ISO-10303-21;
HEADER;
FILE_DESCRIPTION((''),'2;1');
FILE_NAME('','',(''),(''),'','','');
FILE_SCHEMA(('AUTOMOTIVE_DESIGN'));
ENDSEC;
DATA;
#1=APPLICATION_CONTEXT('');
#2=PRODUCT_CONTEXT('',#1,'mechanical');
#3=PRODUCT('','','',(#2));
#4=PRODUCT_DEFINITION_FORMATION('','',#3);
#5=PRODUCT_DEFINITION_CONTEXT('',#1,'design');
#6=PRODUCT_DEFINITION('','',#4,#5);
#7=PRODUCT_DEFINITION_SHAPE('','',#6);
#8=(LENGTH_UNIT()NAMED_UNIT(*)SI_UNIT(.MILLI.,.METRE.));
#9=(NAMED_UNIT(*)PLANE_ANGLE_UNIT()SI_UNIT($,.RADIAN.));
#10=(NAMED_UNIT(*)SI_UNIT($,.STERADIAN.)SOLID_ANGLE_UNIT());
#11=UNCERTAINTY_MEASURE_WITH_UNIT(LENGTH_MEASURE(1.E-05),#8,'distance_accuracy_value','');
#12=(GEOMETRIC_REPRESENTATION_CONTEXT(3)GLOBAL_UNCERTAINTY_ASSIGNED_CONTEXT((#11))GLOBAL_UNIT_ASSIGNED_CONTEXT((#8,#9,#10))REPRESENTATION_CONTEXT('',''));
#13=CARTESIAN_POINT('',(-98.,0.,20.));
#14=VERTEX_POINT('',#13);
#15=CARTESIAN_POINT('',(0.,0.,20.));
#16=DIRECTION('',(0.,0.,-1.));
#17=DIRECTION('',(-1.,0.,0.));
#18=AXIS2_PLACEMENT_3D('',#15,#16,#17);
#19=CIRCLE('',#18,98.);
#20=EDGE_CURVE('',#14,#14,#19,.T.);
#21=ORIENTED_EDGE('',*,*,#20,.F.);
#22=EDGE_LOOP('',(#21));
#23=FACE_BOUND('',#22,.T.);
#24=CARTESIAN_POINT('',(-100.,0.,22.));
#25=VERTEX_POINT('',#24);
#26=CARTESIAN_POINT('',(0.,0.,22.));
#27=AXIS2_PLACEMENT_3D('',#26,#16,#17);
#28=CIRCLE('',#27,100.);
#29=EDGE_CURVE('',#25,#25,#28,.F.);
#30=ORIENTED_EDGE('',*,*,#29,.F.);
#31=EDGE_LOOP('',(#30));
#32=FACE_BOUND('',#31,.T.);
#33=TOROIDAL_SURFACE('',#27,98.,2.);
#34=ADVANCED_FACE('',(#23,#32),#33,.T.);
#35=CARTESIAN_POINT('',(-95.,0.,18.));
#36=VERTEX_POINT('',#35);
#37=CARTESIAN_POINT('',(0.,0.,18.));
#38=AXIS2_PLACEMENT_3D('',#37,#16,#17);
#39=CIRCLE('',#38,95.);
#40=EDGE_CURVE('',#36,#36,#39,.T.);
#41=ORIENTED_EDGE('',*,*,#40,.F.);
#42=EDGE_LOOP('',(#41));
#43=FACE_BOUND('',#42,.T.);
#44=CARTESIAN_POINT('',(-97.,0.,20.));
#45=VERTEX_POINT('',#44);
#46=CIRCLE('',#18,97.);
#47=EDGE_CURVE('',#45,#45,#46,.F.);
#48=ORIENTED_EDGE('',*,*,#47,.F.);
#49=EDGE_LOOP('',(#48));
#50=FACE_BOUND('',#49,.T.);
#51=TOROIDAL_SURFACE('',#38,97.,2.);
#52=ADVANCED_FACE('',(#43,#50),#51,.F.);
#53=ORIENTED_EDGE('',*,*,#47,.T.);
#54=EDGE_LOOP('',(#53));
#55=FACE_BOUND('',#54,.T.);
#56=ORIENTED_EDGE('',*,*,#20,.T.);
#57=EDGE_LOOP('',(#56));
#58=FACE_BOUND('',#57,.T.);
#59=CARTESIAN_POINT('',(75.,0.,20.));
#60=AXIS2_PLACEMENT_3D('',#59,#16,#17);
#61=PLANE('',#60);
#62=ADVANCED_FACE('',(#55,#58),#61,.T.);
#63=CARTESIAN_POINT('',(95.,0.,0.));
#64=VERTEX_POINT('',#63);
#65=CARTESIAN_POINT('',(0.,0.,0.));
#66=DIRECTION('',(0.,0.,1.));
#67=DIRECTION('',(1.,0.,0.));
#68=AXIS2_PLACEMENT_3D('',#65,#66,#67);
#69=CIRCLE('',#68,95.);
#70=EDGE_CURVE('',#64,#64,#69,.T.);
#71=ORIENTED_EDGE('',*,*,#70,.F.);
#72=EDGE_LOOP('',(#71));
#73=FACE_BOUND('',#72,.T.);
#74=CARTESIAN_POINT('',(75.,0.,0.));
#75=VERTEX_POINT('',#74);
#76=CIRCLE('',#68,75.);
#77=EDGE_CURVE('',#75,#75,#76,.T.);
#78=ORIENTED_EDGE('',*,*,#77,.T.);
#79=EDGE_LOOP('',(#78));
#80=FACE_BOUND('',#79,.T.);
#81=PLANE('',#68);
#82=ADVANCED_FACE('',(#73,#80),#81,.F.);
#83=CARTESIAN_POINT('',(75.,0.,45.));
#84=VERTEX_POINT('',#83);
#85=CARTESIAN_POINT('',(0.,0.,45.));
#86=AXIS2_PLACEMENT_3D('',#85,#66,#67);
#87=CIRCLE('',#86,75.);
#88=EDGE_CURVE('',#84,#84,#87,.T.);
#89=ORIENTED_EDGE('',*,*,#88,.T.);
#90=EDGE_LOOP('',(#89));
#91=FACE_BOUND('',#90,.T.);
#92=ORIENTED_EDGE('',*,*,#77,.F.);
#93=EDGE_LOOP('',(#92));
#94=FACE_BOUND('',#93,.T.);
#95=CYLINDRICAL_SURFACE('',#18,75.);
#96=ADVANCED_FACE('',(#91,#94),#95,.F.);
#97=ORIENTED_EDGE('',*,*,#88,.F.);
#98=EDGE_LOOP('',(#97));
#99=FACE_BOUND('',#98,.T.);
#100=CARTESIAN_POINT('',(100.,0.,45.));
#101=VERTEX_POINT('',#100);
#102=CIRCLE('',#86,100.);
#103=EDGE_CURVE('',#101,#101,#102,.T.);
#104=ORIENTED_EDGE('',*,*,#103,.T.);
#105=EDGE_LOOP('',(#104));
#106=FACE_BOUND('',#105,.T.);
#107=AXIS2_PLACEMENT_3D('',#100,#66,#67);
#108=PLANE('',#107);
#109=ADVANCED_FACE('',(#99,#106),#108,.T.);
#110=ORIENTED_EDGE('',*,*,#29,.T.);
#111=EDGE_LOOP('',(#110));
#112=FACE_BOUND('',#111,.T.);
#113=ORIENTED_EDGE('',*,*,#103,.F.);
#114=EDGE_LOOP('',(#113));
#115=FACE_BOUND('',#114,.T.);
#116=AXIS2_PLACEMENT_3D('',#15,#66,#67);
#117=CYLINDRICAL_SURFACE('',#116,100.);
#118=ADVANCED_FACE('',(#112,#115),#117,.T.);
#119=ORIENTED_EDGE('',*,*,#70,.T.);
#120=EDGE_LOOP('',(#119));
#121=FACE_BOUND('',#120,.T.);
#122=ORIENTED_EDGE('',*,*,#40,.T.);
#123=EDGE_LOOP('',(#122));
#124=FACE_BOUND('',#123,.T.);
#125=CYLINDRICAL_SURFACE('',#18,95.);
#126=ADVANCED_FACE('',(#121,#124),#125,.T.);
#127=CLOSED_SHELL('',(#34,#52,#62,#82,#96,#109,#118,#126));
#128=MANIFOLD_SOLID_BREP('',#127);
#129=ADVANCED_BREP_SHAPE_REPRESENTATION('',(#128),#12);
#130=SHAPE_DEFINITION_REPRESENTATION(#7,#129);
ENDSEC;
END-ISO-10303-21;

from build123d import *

# Parameters (mm, degrees)
SKIZZE2_R                       = 95
SKIZZE2_R_2                     = 75
AUFSATZ_LINEAR_AUSTRAGEN1_DEPTH = 20
SKIZZE3_W                       = 25
SKIZZE3_H                       = 25
VERRUNDUNG3_R                   = 2


with BuildPart() as part:
    # Skizze2 → Aufsatz-Linear austragen1 (new body)
    with BuildSketch(Plane.XY):
        Circle(SKIZZE2_R)
        Circle(SKIZZE2_R_2, mode=Mode.SUBTRACT)
    extrude(amount=AUFSATZ_LINEAR_AUSTRAGEN1_DEPTH)

    # Skizze3 → Rotation1 (revolve)
    with BuildSketch(Plane(origin=(0, 0, 0), x_dir=(1, 0, 0), z_dir=(0, 1, 0))):
        with Locations((87.5, -32.5)):
            Rectangle(SKIZZE3_W, SKIZZE3_H)
    revolve(axis=Axis((0, 0, 20), (0, 0, -1)))

    # Verrundung3
    verrundung3_edges = [part.edges().sort_by_distance(p)[0] for p in [
        (-100, 0, 20),
        (-95, 0, 20),
    ]]
    fillet(verrundung3_edges, radius=VERRUNDUNG3_R)


solid = part.part
